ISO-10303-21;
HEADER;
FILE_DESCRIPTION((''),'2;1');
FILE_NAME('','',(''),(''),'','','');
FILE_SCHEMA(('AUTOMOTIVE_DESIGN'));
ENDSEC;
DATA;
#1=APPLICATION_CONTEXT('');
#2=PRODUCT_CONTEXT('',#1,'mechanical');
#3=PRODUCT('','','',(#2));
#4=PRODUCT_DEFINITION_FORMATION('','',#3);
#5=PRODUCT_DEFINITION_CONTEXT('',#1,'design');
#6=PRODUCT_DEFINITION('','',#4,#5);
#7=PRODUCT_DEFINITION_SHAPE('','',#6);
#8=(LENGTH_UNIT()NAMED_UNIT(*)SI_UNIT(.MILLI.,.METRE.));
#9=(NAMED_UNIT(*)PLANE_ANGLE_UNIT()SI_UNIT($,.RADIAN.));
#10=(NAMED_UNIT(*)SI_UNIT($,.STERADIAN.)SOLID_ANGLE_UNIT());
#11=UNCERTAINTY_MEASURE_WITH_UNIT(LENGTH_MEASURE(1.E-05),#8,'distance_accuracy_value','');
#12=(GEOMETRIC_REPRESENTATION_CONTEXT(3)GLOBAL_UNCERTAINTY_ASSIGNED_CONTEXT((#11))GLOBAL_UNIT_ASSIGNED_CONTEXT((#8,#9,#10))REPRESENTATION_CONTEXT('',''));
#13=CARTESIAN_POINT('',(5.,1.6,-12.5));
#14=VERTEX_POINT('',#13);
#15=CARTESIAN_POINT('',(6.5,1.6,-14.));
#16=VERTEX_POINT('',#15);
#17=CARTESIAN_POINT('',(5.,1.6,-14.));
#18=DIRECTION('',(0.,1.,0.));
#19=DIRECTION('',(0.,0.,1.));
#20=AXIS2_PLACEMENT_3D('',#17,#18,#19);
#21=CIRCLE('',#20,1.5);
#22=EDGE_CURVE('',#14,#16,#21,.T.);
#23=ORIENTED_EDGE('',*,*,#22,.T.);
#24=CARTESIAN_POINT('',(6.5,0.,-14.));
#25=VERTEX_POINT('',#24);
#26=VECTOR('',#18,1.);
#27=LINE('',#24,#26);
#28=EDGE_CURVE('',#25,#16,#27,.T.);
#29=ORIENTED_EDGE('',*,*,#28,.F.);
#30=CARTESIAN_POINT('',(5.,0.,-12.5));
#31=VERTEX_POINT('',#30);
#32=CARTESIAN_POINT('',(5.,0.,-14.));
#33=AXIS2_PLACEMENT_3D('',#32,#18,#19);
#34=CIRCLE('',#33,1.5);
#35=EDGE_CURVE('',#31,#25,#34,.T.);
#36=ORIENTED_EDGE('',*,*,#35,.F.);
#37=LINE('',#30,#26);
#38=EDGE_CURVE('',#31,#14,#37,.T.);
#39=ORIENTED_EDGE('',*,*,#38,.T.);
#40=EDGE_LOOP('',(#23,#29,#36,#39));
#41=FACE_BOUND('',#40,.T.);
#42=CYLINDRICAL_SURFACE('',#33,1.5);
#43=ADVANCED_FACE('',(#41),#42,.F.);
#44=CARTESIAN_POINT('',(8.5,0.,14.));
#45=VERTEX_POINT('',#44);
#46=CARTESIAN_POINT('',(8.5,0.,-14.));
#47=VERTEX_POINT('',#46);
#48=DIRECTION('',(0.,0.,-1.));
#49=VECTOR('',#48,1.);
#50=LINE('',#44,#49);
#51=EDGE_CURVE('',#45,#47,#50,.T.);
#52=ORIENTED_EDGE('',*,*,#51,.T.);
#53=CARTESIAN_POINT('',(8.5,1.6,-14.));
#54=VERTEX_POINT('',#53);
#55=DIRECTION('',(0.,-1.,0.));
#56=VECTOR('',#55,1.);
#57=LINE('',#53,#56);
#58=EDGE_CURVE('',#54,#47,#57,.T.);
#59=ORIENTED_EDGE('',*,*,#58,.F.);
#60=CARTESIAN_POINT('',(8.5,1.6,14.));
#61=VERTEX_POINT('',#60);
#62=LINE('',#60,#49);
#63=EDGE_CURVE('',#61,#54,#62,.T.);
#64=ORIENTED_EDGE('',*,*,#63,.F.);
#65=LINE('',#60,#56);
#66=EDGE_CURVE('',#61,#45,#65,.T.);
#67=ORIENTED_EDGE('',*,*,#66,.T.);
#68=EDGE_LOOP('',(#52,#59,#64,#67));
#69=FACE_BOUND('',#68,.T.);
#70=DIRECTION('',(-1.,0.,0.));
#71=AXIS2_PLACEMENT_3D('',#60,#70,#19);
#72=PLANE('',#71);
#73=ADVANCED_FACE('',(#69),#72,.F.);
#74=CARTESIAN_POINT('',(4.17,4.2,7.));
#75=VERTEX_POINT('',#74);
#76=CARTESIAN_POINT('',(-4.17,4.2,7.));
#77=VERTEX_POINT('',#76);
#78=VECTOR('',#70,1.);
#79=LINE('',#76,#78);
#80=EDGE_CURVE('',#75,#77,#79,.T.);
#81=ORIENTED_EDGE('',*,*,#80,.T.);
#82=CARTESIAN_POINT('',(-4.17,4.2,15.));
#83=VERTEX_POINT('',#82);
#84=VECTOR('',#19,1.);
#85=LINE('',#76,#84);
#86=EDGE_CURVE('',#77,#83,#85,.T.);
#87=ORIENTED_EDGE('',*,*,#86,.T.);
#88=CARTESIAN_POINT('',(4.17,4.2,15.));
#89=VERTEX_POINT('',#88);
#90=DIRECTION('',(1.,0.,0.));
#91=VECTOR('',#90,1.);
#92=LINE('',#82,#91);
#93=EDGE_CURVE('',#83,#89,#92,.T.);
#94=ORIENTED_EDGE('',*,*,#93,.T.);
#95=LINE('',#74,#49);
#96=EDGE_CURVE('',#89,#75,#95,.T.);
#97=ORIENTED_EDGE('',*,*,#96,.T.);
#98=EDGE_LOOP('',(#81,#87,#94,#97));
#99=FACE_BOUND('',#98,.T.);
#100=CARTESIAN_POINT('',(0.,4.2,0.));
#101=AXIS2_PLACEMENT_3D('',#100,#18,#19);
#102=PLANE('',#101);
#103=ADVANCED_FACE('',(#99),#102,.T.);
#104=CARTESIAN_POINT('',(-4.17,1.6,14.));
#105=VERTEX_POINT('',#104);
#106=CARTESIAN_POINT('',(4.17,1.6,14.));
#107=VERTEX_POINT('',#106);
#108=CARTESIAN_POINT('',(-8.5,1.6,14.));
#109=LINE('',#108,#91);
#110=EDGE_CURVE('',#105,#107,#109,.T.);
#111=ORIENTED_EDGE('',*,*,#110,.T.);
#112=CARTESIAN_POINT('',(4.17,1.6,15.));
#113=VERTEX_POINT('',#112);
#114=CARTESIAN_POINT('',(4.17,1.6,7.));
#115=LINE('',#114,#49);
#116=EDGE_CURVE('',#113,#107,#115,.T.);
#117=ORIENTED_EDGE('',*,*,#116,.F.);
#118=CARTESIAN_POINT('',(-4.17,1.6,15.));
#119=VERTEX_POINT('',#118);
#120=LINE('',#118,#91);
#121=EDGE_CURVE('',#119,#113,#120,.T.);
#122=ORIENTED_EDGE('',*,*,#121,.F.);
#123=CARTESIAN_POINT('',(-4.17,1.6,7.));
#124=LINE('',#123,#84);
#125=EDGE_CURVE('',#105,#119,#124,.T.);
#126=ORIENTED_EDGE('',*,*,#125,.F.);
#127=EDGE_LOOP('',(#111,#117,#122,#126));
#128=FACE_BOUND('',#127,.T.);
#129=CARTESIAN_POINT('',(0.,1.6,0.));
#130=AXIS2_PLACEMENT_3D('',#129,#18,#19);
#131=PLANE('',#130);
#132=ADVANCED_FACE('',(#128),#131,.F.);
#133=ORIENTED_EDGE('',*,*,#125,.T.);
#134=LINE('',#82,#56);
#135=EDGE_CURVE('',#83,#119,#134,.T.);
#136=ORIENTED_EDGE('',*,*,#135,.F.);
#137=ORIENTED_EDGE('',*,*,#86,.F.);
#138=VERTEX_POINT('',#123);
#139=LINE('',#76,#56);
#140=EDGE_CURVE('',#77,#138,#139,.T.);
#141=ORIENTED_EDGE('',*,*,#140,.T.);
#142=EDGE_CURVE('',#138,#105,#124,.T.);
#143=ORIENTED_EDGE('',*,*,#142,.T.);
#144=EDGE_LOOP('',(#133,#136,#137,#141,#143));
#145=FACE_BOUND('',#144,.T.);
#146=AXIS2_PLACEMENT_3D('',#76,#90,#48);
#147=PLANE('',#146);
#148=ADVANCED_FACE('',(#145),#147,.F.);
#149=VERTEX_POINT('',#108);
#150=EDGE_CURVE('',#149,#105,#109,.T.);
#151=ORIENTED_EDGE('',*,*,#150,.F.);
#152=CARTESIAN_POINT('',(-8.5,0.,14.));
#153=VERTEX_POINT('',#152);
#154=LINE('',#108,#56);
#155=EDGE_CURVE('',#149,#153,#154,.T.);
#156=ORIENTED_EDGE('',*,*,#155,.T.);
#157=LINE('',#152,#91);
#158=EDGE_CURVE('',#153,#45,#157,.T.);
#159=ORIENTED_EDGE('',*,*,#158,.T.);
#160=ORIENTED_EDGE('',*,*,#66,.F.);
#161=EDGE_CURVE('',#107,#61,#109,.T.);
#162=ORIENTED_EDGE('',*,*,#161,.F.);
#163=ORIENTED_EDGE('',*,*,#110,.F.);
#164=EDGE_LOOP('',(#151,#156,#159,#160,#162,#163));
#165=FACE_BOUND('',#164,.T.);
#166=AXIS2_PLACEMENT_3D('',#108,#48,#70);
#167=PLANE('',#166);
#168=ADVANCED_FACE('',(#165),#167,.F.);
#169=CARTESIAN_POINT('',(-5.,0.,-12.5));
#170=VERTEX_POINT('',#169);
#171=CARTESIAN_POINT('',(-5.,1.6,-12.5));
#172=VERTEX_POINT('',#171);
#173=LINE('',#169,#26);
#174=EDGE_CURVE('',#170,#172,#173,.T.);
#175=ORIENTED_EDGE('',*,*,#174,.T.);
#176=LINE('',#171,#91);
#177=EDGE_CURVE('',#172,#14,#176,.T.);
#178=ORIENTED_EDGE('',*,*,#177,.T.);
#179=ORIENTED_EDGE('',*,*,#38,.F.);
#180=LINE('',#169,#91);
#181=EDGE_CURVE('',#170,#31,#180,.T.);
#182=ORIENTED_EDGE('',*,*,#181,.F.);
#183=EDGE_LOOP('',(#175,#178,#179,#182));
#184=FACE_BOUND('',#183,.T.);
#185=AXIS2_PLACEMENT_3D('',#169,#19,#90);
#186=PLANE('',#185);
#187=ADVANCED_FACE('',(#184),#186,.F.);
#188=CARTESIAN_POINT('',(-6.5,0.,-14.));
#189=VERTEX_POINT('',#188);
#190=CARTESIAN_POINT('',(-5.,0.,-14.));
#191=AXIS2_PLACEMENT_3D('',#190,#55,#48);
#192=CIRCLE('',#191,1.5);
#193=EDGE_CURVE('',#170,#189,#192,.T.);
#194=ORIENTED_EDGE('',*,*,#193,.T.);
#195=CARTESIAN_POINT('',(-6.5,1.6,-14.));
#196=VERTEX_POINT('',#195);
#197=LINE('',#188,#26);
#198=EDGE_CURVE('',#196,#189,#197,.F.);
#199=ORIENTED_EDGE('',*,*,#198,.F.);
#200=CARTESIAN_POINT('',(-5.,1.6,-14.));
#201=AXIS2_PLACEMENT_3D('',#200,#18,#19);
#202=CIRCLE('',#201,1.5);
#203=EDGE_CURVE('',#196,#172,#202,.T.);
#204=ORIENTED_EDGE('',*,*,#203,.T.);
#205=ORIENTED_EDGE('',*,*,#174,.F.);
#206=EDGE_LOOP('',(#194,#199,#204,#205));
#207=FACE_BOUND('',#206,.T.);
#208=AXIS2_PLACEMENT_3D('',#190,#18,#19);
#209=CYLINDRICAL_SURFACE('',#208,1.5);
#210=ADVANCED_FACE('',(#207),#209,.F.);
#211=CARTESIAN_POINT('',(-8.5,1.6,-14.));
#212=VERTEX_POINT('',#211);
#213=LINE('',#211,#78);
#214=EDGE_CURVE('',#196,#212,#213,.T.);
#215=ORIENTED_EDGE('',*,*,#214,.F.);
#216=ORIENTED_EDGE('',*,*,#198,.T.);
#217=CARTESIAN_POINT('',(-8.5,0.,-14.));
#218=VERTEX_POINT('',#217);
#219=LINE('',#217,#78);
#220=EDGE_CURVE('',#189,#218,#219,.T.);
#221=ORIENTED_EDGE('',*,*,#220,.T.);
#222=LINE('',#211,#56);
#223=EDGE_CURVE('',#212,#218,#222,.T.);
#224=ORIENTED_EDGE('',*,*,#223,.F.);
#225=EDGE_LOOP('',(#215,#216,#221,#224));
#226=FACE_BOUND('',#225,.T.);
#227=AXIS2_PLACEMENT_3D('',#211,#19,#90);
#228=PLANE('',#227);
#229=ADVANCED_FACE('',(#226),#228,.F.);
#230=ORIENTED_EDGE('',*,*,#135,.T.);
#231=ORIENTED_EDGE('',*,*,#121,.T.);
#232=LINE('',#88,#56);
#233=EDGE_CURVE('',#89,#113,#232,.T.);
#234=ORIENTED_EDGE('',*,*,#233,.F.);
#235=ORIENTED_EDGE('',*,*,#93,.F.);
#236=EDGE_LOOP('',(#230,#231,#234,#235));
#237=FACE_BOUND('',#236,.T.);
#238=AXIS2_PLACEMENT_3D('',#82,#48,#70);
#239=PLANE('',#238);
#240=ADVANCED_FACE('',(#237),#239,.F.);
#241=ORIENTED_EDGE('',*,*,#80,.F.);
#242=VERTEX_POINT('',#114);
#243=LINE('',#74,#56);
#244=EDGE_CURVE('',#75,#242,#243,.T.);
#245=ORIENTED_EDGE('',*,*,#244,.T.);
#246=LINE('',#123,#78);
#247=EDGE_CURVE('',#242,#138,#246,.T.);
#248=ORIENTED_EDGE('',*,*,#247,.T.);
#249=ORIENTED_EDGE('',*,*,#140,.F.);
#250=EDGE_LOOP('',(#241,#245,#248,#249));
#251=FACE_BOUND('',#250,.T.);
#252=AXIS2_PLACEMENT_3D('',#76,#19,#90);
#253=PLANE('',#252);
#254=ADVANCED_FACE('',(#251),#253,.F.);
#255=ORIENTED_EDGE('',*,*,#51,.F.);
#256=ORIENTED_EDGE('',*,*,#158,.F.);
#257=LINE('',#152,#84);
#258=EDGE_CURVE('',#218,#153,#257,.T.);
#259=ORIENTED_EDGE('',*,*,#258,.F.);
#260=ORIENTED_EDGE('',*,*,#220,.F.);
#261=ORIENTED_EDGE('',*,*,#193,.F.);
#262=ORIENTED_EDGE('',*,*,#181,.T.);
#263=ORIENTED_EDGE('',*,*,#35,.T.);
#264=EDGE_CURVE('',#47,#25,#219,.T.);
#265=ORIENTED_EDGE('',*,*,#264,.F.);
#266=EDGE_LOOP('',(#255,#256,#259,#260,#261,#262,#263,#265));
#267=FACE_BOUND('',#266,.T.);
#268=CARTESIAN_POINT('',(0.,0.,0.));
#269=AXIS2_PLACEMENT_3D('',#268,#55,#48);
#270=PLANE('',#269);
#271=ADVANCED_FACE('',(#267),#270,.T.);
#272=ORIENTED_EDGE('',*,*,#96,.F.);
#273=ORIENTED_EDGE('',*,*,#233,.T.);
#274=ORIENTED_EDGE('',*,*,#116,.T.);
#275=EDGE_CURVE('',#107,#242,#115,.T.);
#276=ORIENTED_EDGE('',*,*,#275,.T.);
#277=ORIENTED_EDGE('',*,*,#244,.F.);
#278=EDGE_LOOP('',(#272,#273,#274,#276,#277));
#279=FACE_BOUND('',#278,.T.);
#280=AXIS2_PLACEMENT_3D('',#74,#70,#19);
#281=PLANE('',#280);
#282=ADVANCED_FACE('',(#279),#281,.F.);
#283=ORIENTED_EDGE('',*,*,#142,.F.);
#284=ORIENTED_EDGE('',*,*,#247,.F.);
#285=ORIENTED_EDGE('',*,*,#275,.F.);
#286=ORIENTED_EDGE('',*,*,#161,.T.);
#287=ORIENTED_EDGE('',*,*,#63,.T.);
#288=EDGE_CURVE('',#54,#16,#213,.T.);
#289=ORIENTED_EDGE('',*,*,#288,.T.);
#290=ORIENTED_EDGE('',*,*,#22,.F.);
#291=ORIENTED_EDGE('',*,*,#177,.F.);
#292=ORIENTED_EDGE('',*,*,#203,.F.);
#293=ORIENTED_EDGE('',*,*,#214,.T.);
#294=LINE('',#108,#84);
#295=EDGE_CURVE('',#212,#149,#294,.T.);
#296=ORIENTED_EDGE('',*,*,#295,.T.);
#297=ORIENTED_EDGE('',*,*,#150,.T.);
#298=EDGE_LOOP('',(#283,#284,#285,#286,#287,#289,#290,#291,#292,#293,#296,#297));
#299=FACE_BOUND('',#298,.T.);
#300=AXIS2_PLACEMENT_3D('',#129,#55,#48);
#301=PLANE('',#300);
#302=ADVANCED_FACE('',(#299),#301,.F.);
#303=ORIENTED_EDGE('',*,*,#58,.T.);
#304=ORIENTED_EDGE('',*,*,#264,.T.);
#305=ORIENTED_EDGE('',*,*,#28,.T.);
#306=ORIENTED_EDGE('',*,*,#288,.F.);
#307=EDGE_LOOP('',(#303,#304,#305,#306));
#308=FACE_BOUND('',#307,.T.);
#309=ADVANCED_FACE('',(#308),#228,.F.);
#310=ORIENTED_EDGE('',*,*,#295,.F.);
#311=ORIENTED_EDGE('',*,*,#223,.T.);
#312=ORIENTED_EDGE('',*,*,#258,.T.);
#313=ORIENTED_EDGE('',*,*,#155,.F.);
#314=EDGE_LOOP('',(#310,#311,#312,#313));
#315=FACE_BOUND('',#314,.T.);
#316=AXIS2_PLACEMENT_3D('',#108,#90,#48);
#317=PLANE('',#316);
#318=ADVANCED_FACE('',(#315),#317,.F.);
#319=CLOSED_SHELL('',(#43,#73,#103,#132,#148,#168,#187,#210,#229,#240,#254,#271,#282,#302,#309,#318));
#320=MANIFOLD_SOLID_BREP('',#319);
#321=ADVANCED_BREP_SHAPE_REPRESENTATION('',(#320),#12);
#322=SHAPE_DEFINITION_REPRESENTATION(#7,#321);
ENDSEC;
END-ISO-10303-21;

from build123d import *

# Parameters (mm, degrees)
SKETCH1_W           = 17
SKETCH1_H           = 28
BOSS_EXTRUDE1_DEPTH = 1.6
SKETCH2_W           = 8.34
SKETCH2_H           = 8
BOSS_EXTRUDE2_DEPTH = 2.6
CUT_EXTRUDE1_DEPTH  = 18.435882541


with BuildPart() as part:
    # Sketch1 → Boss-Extrude1 (new body)
    with BuildSketch(Plane(origin=(0, 0, 0), x_dir=(1, 0, 0), z_dir=(0, 1, 0))):
        Rectangle(SKETCH1_W, SKETCH1_H)
    extrude(amount=BOSS_EXTRUDE1_DEPTH)

    # Sketch2 → Boss-Extrude2 (add)
    with BuildSketch(Plane(origin=(0, 1.6, 0), x_dir=(1, 0, 0), z_dir=(0, 1, 0))):
        with Locations((0, -11)):
            Rectangle(SKETCH2_W, SKETCH2_H)
    extrude(amount=BOSS_EXTRUDE2_DEPTH)

    # Sketch3 → Cut-Extrude1 (cut, through all)
    with BuildSketch(Plane(origin=(0, 1.6, 0), x_dir=(1, 0, 0), z_dir=(0, 1, 0))):
        with BuildLine():
            Line((-5, 15.5), (5, 15.5))
            ThreePointArc((5, 15.5), (6.5, 14), (5, 12.5))
            Line((5, 12.5), (-5, 12.5))
            ThreePointArc((-5, 12.5), (-6.5, 14), (-5, 15.5))
        make_face()
    extrude(amount=-CUT_EXTRUDE1_DEPTH, mode=Mode.SUBTRACT)


solid = part.part
